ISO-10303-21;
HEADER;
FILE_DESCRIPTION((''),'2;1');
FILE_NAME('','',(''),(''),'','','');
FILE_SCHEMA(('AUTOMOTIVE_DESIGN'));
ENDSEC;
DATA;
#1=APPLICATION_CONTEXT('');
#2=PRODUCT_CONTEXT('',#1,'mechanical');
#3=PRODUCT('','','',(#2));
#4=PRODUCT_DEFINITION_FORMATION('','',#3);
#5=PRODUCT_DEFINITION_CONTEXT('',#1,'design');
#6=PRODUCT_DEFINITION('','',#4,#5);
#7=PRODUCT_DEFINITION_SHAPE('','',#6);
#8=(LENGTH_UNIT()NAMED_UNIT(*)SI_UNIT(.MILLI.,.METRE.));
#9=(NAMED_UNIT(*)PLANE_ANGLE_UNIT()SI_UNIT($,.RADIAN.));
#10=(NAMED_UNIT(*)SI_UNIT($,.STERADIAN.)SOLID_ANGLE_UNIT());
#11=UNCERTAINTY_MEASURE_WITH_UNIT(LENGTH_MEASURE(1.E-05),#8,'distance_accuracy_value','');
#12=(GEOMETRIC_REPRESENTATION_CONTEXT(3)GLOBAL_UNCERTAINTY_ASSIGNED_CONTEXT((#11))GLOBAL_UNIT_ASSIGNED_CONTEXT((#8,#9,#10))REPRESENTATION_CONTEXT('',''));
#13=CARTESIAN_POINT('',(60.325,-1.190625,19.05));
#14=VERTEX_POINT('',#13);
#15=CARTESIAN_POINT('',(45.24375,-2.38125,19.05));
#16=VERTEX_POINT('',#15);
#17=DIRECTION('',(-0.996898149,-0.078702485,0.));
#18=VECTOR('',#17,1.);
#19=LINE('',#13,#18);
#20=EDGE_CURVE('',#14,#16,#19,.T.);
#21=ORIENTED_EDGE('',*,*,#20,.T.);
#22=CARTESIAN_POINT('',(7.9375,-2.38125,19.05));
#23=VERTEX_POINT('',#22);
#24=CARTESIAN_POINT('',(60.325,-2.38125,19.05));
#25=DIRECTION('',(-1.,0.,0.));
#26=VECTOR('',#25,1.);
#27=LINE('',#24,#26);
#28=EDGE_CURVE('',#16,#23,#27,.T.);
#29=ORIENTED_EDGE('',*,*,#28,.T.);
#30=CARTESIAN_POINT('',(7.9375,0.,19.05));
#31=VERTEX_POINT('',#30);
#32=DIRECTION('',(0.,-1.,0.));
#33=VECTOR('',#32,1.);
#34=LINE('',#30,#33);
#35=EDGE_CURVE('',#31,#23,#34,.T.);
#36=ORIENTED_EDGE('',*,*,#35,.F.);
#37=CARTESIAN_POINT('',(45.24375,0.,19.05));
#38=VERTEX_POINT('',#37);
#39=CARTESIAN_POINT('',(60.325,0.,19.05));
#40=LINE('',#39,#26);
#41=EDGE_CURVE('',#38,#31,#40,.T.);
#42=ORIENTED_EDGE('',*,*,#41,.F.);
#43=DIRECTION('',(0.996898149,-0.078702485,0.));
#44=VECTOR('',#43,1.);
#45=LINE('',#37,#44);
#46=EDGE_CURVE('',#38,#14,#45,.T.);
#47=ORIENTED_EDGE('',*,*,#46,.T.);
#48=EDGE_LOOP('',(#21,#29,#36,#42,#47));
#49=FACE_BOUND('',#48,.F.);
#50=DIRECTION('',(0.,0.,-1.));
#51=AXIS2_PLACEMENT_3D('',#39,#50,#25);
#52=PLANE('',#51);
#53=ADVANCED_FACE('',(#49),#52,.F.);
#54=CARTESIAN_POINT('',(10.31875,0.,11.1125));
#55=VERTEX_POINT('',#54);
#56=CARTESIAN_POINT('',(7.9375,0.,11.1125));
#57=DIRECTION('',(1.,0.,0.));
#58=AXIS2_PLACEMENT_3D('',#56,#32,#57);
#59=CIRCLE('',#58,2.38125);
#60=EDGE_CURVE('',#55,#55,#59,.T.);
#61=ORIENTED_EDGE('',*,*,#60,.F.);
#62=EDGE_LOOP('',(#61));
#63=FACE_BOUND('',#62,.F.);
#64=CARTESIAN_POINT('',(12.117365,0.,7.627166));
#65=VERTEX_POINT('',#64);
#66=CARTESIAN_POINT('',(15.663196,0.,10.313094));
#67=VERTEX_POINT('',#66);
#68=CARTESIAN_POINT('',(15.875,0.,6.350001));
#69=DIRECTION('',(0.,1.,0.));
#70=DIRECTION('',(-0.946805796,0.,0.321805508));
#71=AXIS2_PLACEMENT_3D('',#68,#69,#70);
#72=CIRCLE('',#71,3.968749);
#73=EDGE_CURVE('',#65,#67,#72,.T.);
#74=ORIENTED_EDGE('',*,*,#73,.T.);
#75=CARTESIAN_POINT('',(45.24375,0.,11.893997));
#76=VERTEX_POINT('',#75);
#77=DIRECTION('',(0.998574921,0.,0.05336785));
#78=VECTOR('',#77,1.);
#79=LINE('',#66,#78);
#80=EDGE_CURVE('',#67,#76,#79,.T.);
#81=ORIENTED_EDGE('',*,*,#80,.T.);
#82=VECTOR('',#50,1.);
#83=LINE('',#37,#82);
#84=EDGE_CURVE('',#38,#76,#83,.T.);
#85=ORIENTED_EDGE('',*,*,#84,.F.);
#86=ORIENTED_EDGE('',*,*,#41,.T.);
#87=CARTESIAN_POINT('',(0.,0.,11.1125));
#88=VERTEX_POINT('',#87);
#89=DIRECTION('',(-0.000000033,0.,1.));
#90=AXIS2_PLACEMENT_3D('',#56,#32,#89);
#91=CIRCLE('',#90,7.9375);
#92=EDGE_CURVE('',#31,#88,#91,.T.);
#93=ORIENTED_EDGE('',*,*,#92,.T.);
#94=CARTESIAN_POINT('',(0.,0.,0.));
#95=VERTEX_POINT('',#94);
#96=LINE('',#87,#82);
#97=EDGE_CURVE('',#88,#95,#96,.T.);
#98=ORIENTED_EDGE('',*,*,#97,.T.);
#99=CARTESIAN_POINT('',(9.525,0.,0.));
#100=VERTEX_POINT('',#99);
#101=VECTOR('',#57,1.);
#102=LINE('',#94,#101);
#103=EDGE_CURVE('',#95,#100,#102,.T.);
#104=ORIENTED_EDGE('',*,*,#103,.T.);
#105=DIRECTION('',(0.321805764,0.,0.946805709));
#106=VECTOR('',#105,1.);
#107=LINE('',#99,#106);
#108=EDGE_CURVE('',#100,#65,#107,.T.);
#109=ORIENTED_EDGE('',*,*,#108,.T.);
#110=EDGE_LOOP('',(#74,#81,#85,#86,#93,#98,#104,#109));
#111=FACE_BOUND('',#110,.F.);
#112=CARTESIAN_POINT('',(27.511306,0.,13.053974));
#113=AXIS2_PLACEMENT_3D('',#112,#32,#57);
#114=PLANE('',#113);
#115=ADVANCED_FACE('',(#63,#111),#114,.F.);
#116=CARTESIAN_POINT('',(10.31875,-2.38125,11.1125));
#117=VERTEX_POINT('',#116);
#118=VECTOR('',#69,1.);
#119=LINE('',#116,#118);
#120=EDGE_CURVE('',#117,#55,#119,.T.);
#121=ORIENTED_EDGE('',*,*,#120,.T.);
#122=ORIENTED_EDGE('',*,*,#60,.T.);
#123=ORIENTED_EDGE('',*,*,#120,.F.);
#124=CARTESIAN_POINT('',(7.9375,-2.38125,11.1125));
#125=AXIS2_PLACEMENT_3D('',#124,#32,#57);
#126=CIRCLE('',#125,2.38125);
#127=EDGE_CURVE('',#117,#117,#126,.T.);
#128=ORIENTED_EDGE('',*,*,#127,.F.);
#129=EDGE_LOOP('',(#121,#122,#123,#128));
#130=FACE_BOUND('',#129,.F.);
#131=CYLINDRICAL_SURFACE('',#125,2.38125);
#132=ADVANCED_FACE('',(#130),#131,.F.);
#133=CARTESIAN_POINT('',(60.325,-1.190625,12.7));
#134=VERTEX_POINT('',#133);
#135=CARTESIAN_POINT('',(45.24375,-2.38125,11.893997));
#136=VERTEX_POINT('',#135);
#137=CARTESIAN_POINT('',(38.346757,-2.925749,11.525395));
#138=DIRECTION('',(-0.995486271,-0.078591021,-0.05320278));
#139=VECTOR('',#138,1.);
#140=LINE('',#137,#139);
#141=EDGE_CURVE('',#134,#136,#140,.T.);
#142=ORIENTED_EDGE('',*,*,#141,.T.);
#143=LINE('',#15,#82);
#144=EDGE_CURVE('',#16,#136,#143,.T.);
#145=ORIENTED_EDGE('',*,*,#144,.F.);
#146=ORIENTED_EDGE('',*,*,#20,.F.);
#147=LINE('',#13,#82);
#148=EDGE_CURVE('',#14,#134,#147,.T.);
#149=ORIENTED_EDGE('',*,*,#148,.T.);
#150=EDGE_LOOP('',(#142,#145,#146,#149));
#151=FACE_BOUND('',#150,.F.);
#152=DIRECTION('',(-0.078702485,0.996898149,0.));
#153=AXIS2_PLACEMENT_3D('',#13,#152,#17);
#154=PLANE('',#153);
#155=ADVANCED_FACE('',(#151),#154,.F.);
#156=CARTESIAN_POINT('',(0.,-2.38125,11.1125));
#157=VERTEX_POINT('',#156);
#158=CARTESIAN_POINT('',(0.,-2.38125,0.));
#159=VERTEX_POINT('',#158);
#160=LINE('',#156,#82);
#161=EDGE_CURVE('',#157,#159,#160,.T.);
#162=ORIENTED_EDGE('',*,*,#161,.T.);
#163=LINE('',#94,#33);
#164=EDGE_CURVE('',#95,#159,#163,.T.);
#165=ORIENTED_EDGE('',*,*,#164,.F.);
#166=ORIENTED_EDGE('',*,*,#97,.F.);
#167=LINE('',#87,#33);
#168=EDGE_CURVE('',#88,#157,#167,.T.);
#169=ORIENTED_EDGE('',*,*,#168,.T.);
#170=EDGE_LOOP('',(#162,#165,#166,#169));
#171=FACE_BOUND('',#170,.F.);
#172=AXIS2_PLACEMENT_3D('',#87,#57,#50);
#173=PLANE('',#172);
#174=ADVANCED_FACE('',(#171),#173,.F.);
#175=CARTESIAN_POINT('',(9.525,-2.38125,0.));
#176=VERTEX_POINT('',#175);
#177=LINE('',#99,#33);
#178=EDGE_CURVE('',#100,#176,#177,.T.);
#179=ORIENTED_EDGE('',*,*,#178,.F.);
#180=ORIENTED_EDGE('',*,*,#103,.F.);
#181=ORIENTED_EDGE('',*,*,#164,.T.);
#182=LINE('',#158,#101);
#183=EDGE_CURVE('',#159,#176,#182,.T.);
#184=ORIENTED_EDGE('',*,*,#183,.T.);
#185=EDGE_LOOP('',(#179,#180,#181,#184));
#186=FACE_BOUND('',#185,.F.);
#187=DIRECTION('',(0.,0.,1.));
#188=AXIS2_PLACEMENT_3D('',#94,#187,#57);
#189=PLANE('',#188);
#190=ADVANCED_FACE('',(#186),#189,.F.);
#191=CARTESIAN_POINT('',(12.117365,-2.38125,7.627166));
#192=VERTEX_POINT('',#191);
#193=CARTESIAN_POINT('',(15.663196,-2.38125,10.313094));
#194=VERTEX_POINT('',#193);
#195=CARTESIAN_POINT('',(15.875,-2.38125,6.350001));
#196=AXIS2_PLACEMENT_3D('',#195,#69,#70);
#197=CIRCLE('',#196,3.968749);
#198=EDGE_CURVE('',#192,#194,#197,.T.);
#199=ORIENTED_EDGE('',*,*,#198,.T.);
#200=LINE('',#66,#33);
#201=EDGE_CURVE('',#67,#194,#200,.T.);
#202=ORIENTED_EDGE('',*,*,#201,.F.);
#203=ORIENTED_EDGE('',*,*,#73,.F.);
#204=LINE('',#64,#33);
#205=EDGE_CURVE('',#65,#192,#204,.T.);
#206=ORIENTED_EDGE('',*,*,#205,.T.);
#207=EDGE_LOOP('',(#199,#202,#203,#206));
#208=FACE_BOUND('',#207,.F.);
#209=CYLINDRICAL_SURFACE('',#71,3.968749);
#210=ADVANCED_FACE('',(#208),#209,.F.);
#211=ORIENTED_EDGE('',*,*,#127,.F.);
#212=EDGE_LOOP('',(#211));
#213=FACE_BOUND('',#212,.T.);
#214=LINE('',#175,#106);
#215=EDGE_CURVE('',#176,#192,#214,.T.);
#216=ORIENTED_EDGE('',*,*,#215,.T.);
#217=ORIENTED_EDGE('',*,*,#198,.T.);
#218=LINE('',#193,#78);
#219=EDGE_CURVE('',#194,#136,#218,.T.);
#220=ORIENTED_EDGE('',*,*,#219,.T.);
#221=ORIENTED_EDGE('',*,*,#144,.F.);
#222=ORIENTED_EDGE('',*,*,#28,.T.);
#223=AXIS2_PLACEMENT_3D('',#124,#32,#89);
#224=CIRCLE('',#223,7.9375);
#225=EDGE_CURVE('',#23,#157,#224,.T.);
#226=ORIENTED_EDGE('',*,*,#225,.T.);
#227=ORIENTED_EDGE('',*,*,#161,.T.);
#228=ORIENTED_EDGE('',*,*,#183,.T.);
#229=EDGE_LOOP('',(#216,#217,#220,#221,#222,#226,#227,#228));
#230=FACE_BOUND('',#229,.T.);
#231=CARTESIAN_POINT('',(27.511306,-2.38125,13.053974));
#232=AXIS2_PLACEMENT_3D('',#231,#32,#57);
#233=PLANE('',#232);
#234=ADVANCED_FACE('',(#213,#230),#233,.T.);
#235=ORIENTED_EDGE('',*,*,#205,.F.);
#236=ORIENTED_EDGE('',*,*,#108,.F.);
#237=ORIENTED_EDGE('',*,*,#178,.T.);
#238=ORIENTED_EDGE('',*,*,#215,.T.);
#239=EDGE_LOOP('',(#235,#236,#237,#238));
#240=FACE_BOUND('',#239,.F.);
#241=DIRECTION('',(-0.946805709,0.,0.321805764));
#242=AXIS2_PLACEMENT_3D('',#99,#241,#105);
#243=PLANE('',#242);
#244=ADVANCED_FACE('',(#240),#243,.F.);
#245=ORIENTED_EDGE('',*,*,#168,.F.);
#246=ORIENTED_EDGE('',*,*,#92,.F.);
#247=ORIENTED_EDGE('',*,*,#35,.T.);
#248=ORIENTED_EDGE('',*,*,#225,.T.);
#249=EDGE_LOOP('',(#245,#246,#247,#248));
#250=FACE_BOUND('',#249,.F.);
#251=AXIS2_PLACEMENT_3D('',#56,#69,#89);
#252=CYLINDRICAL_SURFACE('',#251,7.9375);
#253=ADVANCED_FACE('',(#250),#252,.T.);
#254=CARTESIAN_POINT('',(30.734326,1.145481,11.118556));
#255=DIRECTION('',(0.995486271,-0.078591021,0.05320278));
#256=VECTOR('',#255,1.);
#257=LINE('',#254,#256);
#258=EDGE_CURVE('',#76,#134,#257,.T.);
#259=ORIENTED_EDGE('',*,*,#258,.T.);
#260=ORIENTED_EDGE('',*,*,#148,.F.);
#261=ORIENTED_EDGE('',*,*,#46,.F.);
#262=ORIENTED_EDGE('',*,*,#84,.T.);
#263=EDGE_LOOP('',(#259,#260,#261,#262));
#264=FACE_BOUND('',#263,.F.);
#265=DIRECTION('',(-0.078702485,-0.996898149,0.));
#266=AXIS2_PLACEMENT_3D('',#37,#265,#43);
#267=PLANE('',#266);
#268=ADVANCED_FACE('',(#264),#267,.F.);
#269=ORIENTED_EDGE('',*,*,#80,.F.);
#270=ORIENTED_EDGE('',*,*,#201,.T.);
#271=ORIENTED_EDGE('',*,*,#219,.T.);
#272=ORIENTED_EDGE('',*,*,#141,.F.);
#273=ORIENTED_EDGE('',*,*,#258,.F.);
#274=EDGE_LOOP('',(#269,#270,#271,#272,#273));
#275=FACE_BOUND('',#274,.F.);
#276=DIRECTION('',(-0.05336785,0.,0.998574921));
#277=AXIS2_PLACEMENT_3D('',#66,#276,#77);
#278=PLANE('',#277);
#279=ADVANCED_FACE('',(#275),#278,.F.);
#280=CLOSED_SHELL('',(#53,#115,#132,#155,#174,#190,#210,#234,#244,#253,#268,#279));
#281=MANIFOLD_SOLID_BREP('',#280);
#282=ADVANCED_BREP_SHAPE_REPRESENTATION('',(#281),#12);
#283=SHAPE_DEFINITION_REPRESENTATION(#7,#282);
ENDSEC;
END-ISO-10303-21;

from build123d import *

# Parameters (mm, degrees)
F1_DEPTH = 2.38125
F2_R     = 2.38125
F3_DEPTH = 25.4
F5_DEPTH = 25.4


with BuildPart() as f1:
    # F0 (on Front) → F1 (new body)
    with BuildSketch(Plane.XZ):
        with BuildLine():
            Line((60.325, 19.05), (7.9375, 19.05))
            ThreePointArc((7.9375, 19.05), (2.32484, 16.72516), (0, 11.1125))
            Line((0, 11.1125), (0, 0))
            Line((0, 0), (9.525, 0))
            Line((9.525, 0), (12.117365, 7.627166))
            ThreePointArc((12.117365, 7.627166), (13.478615, 9.513592), (15.663196, 10.313094))
            Line((15.663196, 10.313094), (60.325, 12.7))
            Line((60.325, 12.7), (60.325, 19.05))
        make_face()
    extrude(amount=F1_DEPTH)

    # F2 (on face) → F3 (cut)
    with BuildSketch(Plane.XZ.offset(2.38125)):
        with Locations((7.9375, 11.1125)):
            Circle(F2_R)
    extrude(amount=-F3_DEPTH, mode=Mode.SUBTRACT)

    # F4 (on face) → F5 (cut)
    with BuildSketch(Plane.XY.offset(19.05)):
        Polygon((60.325, -2.38125), (60.325, -1.190625), (45.24375, -2.38125), align=None)
        Polygon((60.325, 0), (45.24375, 0), (60.325, -1.190625), align=None)
    extrude(amount=-F5_DEPTH, mode=Mode.SUBTRACT)


solid = f1.part
